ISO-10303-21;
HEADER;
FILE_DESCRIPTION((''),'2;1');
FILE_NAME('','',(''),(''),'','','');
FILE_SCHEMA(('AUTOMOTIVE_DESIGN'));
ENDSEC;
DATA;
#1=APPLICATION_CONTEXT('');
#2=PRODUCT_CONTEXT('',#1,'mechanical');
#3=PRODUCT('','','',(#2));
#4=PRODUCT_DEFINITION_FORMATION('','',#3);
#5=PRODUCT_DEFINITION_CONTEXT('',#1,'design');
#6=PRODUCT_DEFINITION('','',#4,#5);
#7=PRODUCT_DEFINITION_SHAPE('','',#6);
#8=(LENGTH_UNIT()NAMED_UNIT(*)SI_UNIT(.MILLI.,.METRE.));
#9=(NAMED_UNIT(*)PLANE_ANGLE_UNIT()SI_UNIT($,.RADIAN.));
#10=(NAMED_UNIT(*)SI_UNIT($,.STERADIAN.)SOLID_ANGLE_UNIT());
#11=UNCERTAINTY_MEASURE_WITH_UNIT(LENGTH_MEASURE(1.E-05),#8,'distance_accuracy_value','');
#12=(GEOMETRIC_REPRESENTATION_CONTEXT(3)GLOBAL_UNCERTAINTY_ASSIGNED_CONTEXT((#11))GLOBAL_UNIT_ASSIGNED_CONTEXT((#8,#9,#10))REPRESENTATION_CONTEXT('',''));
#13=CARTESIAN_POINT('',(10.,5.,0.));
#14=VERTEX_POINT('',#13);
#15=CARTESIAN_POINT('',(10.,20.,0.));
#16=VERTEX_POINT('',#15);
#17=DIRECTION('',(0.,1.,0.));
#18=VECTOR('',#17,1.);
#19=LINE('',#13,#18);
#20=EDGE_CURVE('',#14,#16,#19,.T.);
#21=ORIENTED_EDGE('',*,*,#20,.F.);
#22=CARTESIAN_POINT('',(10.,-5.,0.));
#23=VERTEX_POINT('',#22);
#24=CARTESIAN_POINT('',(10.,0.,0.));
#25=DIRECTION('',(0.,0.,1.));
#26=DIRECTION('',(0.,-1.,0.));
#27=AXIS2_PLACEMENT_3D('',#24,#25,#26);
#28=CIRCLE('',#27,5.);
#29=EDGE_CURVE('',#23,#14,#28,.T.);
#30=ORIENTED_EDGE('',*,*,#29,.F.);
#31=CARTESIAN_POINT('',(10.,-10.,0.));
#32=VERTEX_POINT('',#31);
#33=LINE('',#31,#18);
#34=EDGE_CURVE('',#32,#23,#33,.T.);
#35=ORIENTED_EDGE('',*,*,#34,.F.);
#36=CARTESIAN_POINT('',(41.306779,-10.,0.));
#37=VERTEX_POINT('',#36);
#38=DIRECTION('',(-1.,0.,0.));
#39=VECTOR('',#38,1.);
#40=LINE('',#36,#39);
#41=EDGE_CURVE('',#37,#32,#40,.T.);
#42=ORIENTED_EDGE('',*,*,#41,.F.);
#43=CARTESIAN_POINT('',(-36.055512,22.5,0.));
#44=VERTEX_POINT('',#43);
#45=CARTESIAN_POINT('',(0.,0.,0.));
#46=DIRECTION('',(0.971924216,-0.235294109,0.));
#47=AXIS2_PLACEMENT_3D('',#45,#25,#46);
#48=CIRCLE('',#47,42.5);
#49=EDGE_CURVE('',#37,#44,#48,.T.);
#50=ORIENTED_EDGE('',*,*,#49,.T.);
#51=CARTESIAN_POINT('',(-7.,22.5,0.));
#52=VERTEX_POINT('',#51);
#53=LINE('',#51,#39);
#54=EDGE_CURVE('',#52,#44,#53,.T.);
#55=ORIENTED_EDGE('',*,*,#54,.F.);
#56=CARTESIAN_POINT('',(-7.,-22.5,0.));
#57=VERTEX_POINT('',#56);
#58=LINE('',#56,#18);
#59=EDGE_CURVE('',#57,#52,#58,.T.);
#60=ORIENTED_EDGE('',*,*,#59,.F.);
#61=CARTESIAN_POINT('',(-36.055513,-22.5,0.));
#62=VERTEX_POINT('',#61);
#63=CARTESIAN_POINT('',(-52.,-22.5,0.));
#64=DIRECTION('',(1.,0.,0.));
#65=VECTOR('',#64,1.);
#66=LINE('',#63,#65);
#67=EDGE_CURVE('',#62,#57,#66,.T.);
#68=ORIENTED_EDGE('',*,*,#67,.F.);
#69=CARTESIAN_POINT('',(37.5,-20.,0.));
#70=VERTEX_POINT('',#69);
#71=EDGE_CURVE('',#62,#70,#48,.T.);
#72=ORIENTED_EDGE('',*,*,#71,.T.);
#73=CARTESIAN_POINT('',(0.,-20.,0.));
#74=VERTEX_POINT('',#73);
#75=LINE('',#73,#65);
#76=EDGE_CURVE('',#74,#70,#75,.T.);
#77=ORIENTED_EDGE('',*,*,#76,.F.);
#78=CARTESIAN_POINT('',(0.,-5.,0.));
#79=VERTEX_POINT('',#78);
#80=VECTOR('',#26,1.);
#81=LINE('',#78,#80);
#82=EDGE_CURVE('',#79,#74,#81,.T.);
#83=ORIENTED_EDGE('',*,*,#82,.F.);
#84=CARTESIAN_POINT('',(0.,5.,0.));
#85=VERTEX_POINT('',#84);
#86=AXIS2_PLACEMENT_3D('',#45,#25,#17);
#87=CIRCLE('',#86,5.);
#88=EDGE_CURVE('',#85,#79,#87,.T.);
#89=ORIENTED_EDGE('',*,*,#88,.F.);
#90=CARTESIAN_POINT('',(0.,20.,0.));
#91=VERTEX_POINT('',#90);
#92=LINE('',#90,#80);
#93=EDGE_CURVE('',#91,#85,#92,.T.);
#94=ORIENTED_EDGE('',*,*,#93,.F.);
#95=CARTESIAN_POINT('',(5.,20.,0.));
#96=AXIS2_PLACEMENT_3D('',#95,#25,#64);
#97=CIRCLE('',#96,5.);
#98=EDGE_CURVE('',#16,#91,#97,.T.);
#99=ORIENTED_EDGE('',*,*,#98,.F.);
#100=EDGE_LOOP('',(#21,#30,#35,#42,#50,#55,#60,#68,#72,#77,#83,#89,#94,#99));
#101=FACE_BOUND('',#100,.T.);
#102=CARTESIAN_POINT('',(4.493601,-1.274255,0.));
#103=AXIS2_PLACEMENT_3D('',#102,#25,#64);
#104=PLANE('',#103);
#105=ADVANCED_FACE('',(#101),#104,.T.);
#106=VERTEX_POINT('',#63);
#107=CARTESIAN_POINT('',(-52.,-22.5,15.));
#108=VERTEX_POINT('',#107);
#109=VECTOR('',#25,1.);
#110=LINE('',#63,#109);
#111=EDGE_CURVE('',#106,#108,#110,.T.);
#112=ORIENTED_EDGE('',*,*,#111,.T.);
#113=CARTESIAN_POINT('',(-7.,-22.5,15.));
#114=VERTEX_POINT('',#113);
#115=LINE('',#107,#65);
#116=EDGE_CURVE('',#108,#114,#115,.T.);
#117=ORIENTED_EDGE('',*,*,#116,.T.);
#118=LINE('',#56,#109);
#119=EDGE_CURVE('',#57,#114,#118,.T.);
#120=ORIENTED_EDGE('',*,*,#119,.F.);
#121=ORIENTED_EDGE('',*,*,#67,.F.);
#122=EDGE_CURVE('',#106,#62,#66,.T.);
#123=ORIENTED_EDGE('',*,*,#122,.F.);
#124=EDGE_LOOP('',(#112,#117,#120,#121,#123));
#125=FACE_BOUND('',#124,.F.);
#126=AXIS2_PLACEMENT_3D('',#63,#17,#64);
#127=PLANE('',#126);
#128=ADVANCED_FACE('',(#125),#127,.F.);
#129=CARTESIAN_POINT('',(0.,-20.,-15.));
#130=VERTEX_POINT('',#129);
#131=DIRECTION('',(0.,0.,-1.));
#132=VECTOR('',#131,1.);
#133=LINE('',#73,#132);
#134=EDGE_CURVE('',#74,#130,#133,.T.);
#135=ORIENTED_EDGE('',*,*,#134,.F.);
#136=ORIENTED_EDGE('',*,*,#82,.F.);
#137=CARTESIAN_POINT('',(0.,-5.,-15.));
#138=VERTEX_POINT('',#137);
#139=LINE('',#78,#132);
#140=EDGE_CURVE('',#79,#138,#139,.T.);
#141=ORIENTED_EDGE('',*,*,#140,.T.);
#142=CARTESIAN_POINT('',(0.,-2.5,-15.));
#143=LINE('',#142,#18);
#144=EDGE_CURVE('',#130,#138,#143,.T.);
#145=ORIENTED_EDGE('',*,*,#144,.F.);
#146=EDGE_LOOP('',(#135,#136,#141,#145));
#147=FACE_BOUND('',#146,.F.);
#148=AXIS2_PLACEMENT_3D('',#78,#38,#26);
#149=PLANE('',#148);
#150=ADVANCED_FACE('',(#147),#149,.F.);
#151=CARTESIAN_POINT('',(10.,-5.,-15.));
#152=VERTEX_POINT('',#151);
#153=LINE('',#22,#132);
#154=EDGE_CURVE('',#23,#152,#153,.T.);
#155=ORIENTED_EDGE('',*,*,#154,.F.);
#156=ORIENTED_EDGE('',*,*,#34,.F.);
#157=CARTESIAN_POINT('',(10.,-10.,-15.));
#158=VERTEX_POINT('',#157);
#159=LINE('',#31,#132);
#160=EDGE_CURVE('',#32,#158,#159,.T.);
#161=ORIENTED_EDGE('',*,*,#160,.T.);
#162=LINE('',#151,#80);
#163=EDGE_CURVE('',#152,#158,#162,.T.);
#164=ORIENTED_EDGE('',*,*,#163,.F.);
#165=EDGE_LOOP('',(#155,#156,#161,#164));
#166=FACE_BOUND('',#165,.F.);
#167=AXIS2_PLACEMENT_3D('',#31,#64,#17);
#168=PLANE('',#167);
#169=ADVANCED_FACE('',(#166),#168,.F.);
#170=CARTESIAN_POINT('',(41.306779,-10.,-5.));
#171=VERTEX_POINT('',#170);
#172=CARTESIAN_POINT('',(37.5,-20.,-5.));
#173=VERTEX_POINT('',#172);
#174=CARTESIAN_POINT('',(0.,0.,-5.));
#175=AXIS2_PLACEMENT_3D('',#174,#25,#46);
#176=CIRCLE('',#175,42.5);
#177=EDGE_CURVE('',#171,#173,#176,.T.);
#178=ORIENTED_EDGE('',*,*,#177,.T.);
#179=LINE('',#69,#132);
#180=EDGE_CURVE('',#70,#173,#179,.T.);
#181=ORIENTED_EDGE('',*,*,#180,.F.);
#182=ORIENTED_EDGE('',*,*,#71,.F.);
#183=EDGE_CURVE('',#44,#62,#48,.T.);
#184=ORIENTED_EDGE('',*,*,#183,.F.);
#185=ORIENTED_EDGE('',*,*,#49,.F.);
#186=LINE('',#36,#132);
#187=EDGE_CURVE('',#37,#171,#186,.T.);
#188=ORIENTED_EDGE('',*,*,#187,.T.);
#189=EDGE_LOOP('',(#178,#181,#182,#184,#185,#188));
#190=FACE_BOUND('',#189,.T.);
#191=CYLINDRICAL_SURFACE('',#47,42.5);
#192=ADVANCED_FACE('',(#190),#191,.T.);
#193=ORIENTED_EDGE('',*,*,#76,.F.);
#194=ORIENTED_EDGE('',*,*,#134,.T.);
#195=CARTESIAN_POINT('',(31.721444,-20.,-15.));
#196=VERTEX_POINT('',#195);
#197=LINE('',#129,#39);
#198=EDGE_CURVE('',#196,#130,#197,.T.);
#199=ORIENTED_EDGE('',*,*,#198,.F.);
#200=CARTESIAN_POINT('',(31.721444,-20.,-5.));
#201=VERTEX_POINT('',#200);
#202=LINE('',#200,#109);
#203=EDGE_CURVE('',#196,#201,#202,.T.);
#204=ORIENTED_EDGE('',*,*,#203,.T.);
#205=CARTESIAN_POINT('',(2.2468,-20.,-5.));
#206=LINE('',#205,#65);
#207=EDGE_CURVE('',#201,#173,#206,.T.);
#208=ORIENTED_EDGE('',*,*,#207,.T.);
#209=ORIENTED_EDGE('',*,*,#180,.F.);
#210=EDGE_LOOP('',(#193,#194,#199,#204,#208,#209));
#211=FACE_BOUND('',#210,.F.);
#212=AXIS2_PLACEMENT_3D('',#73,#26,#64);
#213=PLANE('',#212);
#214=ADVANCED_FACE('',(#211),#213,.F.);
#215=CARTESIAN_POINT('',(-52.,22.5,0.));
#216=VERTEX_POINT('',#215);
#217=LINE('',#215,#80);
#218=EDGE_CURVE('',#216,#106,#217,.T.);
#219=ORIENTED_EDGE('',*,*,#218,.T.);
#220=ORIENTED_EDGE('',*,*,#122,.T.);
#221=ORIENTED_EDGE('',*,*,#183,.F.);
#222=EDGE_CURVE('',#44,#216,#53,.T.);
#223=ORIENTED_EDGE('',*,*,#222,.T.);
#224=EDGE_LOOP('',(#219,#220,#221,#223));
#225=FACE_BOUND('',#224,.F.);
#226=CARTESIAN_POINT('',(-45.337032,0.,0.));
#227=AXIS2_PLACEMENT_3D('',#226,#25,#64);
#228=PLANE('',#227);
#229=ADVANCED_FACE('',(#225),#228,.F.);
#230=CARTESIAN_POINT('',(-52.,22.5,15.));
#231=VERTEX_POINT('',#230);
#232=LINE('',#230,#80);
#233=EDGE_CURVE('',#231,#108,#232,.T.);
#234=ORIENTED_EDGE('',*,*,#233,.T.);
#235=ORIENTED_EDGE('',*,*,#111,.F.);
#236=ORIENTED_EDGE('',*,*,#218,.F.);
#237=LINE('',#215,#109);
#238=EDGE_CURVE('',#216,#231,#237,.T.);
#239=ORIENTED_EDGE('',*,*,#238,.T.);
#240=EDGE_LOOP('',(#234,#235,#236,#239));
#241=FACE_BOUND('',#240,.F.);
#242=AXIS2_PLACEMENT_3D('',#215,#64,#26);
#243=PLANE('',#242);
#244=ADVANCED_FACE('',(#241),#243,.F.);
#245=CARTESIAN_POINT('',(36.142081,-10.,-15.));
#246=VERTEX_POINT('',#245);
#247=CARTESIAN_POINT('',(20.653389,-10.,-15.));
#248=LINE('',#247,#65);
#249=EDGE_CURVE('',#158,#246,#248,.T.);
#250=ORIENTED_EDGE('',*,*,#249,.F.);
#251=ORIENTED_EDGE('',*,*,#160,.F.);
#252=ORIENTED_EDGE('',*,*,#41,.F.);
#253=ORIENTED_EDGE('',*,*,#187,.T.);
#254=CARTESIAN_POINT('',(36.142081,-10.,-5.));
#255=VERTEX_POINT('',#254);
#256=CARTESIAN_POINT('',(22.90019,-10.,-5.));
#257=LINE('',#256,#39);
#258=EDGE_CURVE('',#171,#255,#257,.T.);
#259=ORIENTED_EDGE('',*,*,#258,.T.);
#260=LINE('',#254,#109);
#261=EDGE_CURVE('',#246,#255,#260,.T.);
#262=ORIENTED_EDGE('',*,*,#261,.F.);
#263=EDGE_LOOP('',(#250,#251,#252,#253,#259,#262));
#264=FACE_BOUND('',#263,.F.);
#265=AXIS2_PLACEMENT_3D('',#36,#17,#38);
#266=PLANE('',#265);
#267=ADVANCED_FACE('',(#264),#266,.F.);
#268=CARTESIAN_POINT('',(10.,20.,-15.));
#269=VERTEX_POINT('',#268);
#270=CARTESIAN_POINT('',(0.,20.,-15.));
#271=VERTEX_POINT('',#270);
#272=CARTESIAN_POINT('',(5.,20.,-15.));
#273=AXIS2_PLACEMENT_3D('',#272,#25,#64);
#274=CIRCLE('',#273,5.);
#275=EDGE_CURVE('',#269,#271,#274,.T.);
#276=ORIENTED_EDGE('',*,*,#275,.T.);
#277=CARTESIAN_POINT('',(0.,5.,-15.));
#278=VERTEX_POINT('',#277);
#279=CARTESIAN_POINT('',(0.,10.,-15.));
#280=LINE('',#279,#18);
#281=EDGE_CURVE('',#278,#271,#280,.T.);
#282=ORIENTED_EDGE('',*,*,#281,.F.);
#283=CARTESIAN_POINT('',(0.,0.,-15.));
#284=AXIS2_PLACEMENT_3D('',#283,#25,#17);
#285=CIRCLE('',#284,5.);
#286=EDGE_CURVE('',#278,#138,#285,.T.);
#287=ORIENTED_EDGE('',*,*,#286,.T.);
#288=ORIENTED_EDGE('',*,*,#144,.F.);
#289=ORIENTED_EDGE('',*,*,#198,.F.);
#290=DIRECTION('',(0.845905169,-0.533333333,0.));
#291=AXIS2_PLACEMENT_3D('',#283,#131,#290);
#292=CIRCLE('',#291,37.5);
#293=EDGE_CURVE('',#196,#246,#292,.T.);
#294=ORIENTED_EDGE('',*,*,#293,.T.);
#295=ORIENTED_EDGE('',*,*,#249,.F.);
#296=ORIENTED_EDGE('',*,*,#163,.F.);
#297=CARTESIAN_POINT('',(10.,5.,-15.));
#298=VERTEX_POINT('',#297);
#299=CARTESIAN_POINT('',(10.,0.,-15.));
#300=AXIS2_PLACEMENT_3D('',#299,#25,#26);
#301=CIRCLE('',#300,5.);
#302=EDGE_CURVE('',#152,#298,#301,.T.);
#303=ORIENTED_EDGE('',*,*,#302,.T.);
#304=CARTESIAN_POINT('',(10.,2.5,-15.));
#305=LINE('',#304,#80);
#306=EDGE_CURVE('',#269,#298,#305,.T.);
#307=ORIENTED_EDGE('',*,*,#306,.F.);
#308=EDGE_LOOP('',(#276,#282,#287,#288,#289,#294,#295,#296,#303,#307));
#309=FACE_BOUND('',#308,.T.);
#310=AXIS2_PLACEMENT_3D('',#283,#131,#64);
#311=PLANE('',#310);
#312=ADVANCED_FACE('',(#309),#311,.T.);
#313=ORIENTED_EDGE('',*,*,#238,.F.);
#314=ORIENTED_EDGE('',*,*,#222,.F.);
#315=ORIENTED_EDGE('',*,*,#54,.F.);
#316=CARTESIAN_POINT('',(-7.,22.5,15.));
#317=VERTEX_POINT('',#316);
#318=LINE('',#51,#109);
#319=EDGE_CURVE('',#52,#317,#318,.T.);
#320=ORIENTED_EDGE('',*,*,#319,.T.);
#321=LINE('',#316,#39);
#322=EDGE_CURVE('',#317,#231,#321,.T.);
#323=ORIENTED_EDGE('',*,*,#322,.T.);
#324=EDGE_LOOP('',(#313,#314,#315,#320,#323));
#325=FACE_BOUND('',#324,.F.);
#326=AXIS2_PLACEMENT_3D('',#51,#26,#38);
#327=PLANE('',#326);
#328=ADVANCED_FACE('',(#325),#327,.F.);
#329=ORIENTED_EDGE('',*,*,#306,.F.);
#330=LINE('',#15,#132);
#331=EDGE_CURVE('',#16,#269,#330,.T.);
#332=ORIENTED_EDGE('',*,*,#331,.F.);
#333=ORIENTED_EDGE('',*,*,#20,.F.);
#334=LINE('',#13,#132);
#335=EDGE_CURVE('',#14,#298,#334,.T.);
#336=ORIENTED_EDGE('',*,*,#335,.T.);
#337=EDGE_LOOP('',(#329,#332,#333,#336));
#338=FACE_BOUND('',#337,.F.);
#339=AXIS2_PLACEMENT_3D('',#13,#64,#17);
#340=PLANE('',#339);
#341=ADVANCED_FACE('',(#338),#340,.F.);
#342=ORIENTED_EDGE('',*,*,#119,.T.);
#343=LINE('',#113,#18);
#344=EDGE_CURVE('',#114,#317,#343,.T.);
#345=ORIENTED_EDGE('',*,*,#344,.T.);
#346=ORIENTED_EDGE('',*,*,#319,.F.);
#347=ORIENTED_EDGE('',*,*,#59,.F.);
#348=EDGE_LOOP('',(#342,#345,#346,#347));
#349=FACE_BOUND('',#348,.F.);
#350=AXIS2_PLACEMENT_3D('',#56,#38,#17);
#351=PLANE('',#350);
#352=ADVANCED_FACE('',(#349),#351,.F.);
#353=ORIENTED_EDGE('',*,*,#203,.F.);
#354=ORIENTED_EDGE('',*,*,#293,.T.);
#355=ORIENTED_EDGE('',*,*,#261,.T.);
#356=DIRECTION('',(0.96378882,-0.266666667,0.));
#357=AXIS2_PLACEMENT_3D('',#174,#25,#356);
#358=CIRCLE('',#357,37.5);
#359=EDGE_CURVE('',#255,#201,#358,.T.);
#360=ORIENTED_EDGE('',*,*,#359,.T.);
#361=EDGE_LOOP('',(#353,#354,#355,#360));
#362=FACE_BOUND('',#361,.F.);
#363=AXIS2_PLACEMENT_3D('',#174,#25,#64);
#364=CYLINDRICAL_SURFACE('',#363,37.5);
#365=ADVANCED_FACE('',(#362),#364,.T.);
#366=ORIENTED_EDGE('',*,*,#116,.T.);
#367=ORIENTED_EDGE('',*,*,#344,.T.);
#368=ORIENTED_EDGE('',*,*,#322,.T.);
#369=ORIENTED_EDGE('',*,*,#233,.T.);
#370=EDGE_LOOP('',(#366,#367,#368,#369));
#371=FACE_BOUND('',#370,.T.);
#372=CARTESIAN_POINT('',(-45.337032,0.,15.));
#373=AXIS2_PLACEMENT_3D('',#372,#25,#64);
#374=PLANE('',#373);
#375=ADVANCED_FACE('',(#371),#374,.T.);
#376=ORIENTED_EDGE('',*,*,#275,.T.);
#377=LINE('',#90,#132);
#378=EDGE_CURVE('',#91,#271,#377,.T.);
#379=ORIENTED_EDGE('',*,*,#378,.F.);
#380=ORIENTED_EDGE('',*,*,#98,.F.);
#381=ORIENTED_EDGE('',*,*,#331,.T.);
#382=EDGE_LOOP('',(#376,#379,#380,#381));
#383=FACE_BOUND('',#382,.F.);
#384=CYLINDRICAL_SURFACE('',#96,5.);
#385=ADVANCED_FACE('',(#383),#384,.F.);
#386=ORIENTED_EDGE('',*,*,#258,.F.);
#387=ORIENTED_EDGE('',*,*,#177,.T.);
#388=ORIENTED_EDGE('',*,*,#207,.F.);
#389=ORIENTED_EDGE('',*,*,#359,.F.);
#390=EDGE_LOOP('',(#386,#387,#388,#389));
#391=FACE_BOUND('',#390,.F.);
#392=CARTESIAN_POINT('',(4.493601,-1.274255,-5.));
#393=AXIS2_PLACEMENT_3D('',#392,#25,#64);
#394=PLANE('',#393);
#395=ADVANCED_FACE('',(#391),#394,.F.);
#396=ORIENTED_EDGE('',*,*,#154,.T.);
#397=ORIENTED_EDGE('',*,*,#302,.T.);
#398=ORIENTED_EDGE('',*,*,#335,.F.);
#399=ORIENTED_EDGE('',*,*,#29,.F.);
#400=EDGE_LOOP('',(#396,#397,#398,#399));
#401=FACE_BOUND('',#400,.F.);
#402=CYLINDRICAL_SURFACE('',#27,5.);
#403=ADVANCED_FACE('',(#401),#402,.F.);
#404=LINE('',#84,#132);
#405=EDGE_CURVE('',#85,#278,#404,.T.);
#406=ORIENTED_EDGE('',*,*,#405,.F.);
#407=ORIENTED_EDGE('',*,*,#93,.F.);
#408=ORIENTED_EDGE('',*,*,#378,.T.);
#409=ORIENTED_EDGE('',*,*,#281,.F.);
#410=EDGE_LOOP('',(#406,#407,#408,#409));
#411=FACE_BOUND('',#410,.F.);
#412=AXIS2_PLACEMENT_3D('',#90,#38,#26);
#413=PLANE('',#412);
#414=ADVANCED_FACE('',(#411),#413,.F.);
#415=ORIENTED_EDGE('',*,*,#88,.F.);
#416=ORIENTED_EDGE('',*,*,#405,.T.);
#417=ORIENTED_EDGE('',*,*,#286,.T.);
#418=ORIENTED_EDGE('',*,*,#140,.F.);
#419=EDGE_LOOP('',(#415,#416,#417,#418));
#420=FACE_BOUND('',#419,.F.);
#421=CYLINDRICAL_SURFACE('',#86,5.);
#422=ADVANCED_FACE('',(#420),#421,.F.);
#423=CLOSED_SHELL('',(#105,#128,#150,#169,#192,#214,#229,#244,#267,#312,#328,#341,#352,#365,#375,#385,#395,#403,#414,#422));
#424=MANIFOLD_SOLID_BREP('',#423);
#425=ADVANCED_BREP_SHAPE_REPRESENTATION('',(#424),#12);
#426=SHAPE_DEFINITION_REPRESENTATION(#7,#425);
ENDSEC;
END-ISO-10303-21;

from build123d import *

# Parameters (mm, degrees)
F1_DEPTH = 5
F2_R     = 37.5
F3_DEPTH = 10
F4_DEPTH = 40.7
F6_DEPTH = 15


with BuildPart() as f1:
    # F0 (on Top) → F1 (new body)
    with BuildSketch(Plane.XY):
        with BuildLine():
            Line((10, -10), (41.306779, -10))
            ThreePointArc((41.306779, -10), (-39.719354, 15.120281), (37.5, -20))
            Line((37.5, -20), (0, -20))
            Line((0, -20), (0, -5))
            ThreePointArc((0, -5), (-5, 0), (0, 5))
            Line((0, 5), (0, 20))
            ThreePointArc((0, 20), (5, 25), (10, 20))
            Line((10, 20), (10, 5))
            ThreePointArc((10, 5), (15, 0), (10, -5))
            Line((10, -5), (10, -10))
        make_face()
        with BuildLine():
            ThreePointArc((37.5, -20), (39.719354, -15.120281), (41.306779, -10))
            Line((41.306779, -10), (10, -10))
            Line((10, -10), (10, -5))
            ThreePointArc((10, -5), (15, 0), (10, 5))
            Line((10, 5), (10, 20))
            ThreePointArc((10, 20), (5, 25), (0, 20))
            Line((0, 20), (0, 5))
            ThreePointArc((0, 5), (-5, 0), (0, -5))
            Line((0, -5), (0, -20))
            Line((0, -20), (37.5, -20))
        make_face()
    extrude(amount=-F1_DEPTH)

    # F2 (on face) → F3 (join)
    with BuildSketch(Plane(origin=(0, 0, -5), x_dir=(1, 0, 0), z_dir=(0, 0, -1))):
        Circle(F2_R)
    extrude(amount=F3_DEPTH)

    # F0 (on Top) → F4 (cut)
    with BuildSketch(Plane.XY):
        with BuildLine():
            ThreePointArc((37.5, -20), (39.719354, -15.120281), (41.306779, -10))
            Line((41.306779, -10), (10, -10))
            Line((10, -10), (10, -5))
            ThreePointArc((10, -5), (15, 0), (10, 5))
            Line((10, 5), (10, 20))
            ThreePointArc((10, 20), (5, 25), (0, 20))
            Line((0, 20), (0, 5))
            ThreePointArc((0, 5), (-5, 0), (0, -5))
            Line((0, -5), (0, -20))
            Line((0, -20), (37.5, -20))
        make_face()
    extrude(amount=-F4_DEPTH, mode=Mode.SUBTRACT)

    # F5 (on face) → F6 (join)
    with BuildSketch(Plane.XY):
        with BuildLine():
            ThreePointArc((-36.055513, -22.5), (-42.5, 0), (-36.055513, 22.5))
            Line((-36.055513, 22.5), (-52, 22.5))
            Line((-52, 22.5), (-52, -22.5))
            Line((-52, -22.5), (-36.055513, -22.5))
        make_face()
        with BuildLine():
            Line((-7, -22.5), (-7, 22.5))
            Line((-7, 22.5), (-36.055513, 22.5))
            ThreePointArc((-36.055513, 22.5), (-42.5, 0), (-36.055513, -22.5))
            Line((-36.055513, -22.5), (-7, -22.5))
        make_face()
    extrude(amount=F6_DEPTH)


solid = f1.part
